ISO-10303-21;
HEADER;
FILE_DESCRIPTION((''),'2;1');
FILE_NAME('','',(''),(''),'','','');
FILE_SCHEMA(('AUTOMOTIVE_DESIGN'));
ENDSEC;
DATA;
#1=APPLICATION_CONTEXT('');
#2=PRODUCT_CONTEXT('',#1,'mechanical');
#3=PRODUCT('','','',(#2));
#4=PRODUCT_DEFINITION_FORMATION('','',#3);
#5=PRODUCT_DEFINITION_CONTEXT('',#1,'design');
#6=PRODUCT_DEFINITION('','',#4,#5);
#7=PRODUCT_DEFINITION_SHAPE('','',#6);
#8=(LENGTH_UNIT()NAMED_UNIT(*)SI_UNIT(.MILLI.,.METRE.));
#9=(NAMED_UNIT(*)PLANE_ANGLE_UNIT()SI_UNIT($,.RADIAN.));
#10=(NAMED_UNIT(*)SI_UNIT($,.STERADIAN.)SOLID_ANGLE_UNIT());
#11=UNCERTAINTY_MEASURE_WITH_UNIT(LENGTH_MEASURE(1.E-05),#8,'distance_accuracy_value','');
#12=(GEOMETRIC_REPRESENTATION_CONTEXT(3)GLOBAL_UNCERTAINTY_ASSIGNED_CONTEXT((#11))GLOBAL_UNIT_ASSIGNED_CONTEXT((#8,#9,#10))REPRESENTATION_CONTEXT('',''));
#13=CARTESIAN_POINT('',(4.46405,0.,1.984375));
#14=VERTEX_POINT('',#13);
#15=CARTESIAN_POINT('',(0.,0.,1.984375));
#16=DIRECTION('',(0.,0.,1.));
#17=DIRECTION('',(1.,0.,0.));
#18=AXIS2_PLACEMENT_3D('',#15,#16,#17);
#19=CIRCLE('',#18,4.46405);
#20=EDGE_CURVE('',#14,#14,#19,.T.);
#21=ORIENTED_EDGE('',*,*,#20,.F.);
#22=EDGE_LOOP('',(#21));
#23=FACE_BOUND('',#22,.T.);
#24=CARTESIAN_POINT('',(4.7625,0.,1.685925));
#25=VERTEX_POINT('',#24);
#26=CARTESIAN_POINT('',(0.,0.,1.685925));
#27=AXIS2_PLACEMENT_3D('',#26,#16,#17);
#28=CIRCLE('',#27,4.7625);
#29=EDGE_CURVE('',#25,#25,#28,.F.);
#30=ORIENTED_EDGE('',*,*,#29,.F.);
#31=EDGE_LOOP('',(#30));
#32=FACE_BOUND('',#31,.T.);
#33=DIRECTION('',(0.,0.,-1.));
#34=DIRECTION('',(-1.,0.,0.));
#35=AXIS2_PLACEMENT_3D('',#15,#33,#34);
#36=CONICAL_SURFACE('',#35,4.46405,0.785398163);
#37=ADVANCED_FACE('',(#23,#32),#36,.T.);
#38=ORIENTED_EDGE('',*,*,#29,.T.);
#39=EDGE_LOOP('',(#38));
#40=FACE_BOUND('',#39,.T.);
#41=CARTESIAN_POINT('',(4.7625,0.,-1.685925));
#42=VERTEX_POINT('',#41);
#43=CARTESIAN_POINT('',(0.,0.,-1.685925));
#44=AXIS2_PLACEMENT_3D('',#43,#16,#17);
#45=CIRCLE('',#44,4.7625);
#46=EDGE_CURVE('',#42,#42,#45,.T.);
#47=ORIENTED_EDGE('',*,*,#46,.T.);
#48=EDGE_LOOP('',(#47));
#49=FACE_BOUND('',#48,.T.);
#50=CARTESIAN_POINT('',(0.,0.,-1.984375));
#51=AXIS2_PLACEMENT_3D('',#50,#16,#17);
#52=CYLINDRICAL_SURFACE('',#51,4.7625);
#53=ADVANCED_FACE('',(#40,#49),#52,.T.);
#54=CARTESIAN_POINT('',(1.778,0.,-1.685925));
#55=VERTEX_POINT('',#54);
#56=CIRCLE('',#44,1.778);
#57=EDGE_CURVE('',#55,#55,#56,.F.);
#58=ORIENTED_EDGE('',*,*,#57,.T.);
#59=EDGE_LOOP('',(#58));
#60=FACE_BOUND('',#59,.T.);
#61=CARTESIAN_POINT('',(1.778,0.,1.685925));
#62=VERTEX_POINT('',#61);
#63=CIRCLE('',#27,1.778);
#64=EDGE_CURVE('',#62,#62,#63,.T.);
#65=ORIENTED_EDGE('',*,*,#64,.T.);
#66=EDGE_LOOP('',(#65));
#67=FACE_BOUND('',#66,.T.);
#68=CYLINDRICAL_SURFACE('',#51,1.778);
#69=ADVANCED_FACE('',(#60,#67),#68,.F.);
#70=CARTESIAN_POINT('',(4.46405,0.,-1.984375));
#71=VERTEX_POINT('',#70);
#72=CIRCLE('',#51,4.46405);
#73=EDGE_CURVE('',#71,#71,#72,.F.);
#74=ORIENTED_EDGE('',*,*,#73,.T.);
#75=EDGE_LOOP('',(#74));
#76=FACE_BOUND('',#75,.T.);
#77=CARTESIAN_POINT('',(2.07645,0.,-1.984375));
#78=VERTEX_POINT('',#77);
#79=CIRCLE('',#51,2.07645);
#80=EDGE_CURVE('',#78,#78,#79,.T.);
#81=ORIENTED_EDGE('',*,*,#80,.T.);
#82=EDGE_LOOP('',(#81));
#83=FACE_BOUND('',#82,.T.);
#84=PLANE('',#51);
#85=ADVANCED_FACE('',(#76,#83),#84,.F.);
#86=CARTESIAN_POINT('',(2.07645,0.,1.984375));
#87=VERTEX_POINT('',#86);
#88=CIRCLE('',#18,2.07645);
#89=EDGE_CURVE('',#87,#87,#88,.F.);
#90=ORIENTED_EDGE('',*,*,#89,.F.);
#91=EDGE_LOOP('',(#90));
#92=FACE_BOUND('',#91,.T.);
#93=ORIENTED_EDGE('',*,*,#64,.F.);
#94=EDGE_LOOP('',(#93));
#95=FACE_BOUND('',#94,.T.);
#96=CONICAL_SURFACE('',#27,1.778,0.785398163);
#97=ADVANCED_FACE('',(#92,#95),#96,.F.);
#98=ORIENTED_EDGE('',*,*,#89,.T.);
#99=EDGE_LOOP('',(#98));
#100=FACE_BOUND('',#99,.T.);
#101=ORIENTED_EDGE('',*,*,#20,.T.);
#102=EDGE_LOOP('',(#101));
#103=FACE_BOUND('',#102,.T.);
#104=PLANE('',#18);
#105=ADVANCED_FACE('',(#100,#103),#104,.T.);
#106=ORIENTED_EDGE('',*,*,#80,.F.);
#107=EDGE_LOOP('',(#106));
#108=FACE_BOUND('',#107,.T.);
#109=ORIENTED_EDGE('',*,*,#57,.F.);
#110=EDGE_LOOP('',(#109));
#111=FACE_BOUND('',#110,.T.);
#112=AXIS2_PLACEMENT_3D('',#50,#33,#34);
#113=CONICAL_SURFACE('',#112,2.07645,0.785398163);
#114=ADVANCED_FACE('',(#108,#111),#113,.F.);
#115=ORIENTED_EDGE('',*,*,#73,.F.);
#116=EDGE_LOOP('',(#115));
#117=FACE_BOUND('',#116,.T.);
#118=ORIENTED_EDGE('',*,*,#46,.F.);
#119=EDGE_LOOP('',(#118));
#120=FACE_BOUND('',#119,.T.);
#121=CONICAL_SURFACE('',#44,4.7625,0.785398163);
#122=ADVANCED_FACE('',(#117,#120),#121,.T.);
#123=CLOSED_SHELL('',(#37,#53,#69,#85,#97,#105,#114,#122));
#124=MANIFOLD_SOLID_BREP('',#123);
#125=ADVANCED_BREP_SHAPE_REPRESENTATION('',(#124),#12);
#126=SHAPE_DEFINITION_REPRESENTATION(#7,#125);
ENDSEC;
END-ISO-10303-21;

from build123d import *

# Parameters (mm, degrees)
BOSS_EXTRUDE1_DEPTH      = 1.984375
BOSS_EXTRUDE1_DEPTH_BACK = 1.984375
SKETCH3_R                = 4.7625
SKETCH3_R_2              = 1.778
CHAMFER1_SIZE            = 0.29845


with BuildPart() as part:
    # Sketch3 → Boss-Extrude1 (new, two sides: drawn at the far end of the back side and taken through both)
    with BuildSketch(Plane.XY.offset(-BOSS_EXTRUDE1_DEPTH_BACK)):
        Circle(SKETCH3_R)
        Circle(SKETCH3_R_2, mode=Mode.SUBTRACT)
    extrude(amount=BOSS_EXTRUDE1_DEPTH + BOSS_EXTRUDE1_DEPTH_BACK)

    # Chamfer1
    chamfer1_edges = [part.edges().sort_by_distance(p)[0] for p in [
        (-4.7625, 0, -1.984375),
        (-1.778, 0, -1.984375),
        (-4.7625, 0, 1.984375),
        (-1.778, 0, 1.984375),
    ]]
    chamfer(chamfer1_edges, length=CHAMFER1_SIZE)


solid = part.part
